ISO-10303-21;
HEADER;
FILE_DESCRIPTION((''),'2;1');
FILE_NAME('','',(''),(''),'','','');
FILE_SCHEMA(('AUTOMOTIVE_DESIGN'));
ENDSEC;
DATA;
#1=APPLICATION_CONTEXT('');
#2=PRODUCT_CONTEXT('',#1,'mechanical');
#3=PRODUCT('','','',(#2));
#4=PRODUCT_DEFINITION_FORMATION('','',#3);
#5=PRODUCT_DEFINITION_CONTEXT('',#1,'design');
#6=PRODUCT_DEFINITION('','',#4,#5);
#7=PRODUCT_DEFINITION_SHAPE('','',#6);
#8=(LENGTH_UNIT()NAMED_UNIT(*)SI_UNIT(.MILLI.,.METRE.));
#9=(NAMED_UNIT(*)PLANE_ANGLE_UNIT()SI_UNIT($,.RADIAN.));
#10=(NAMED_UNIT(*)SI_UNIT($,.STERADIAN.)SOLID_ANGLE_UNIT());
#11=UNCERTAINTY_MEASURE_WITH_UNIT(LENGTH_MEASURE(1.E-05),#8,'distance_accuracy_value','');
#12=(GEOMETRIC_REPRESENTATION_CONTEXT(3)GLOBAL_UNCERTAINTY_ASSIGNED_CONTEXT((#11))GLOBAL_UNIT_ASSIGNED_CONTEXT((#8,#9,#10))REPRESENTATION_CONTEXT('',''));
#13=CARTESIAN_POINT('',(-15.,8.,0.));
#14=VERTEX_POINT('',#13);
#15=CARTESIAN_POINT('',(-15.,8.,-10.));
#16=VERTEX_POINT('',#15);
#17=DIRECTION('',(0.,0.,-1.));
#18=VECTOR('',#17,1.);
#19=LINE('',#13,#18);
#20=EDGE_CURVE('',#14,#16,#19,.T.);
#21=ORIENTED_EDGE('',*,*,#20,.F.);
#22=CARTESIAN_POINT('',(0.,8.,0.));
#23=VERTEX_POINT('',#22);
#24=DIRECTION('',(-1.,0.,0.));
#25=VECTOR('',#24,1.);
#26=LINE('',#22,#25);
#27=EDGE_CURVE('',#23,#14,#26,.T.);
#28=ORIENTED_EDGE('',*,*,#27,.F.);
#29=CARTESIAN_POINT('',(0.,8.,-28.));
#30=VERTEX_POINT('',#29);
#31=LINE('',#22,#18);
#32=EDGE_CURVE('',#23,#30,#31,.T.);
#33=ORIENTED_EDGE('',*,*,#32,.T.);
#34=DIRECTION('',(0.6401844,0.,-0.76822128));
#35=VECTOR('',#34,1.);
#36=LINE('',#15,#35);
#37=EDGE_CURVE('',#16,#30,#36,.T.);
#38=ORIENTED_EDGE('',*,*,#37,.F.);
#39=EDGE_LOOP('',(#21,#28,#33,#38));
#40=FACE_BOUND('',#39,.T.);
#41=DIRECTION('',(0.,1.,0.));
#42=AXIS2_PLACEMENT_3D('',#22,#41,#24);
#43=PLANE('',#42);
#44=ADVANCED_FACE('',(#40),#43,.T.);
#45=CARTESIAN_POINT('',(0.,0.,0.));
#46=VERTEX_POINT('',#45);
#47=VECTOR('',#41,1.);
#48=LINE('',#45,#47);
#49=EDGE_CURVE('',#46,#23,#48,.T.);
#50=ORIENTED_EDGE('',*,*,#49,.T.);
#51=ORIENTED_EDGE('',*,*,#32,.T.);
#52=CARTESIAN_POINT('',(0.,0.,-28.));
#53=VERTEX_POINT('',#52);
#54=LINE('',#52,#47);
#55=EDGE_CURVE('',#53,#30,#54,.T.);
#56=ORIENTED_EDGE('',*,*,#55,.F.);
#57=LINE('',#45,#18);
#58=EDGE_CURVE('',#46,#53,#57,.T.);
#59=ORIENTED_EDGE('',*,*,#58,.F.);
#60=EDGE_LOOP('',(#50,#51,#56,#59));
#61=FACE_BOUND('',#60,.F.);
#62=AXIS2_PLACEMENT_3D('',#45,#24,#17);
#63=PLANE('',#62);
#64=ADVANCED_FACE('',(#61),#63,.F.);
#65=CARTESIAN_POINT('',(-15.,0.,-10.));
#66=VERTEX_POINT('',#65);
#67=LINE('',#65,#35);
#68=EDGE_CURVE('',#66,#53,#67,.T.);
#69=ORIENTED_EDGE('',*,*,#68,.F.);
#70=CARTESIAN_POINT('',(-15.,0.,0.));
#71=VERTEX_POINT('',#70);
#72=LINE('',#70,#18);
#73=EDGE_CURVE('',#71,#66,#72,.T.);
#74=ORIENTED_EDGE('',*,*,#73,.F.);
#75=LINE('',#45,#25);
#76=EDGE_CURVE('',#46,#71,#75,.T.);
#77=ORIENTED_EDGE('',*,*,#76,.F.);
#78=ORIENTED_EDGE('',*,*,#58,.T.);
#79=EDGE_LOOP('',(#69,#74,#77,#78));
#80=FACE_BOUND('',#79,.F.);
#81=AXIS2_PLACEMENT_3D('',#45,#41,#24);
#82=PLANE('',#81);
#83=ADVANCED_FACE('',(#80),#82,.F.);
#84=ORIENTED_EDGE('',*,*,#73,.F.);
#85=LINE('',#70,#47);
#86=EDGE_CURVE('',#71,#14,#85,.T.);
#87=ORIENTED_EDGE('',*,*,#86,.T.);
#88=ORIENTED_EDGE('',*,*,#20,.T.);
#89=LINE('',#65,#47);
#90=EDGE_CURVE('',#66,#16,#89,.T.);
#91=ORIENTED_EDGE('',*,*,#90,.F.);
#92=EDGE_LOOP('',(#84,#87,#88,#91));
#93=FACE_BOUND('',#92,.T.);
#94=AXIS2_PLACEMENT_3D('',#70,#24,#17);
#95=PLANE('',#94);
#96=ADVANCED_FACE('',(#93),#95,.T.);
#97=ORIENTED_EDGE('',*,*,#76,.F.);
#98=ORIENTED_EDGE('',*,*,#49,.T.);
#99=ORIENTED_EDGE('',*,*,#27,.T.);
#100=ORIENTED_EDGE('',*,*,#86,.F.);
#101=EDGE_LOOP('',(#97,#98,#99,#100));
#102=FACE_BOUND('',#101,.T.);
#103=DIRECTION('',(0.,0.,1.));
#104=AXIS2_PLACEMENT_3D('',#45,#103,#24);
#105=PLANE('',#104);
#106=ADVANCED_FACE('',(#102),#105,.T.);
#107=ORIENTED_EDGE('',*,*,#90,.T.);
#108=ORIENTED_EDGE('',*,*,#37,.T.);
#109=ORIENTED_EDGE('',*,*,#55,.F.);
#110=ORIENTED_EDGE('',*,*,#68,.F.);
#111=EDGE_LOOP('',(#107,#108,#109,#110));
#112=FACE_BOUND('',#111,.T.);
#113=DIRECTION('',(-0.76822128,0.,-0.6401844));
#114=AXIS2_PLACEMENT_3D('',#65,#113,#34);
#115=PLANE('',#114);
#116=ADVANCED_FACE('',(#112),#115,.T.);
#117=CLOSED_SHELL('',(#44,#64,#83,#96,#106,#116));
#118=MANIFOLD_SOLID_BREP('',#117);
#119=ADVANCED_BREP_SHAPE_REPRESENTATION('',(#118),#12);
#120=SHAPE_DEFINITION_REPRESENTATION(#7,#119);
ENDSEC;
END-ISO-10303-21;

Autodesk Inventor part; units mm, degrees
ref_plane "YZ Plane" through (0, 0, 0) normal (1, 0, 0) x (0, 1, 0)
ref_plane "XZ Plane" through (0, 0, 0) normal (0, 1, 0) x (-1, 0, 0)
ref_plane "XY Plane" through (0, 0, 0) normal (0, 0, 1) x (1, 0, 0)
sketch "Sketch1" plane through (0, 0, 0) normal (0, 1, 0) x (-1, 0, 0)
  line L0 (0, 0) -> (0, -28)
  line L1 (0, 0) -> (15, 0)
  line L2 (15, 0) -> (15, -10)
  line L3 (15, -10) -> (0, -28)
  dimension "d0" = 28
  dimension "d2" = 15
  dimension "d3" = 10
  dimension "d4" = 140.194
  dimension "d5" = 39.806
extrude "Extrusion1" add sketch "Sketch1" along normal blind 8
properties part number "FP Struts"
